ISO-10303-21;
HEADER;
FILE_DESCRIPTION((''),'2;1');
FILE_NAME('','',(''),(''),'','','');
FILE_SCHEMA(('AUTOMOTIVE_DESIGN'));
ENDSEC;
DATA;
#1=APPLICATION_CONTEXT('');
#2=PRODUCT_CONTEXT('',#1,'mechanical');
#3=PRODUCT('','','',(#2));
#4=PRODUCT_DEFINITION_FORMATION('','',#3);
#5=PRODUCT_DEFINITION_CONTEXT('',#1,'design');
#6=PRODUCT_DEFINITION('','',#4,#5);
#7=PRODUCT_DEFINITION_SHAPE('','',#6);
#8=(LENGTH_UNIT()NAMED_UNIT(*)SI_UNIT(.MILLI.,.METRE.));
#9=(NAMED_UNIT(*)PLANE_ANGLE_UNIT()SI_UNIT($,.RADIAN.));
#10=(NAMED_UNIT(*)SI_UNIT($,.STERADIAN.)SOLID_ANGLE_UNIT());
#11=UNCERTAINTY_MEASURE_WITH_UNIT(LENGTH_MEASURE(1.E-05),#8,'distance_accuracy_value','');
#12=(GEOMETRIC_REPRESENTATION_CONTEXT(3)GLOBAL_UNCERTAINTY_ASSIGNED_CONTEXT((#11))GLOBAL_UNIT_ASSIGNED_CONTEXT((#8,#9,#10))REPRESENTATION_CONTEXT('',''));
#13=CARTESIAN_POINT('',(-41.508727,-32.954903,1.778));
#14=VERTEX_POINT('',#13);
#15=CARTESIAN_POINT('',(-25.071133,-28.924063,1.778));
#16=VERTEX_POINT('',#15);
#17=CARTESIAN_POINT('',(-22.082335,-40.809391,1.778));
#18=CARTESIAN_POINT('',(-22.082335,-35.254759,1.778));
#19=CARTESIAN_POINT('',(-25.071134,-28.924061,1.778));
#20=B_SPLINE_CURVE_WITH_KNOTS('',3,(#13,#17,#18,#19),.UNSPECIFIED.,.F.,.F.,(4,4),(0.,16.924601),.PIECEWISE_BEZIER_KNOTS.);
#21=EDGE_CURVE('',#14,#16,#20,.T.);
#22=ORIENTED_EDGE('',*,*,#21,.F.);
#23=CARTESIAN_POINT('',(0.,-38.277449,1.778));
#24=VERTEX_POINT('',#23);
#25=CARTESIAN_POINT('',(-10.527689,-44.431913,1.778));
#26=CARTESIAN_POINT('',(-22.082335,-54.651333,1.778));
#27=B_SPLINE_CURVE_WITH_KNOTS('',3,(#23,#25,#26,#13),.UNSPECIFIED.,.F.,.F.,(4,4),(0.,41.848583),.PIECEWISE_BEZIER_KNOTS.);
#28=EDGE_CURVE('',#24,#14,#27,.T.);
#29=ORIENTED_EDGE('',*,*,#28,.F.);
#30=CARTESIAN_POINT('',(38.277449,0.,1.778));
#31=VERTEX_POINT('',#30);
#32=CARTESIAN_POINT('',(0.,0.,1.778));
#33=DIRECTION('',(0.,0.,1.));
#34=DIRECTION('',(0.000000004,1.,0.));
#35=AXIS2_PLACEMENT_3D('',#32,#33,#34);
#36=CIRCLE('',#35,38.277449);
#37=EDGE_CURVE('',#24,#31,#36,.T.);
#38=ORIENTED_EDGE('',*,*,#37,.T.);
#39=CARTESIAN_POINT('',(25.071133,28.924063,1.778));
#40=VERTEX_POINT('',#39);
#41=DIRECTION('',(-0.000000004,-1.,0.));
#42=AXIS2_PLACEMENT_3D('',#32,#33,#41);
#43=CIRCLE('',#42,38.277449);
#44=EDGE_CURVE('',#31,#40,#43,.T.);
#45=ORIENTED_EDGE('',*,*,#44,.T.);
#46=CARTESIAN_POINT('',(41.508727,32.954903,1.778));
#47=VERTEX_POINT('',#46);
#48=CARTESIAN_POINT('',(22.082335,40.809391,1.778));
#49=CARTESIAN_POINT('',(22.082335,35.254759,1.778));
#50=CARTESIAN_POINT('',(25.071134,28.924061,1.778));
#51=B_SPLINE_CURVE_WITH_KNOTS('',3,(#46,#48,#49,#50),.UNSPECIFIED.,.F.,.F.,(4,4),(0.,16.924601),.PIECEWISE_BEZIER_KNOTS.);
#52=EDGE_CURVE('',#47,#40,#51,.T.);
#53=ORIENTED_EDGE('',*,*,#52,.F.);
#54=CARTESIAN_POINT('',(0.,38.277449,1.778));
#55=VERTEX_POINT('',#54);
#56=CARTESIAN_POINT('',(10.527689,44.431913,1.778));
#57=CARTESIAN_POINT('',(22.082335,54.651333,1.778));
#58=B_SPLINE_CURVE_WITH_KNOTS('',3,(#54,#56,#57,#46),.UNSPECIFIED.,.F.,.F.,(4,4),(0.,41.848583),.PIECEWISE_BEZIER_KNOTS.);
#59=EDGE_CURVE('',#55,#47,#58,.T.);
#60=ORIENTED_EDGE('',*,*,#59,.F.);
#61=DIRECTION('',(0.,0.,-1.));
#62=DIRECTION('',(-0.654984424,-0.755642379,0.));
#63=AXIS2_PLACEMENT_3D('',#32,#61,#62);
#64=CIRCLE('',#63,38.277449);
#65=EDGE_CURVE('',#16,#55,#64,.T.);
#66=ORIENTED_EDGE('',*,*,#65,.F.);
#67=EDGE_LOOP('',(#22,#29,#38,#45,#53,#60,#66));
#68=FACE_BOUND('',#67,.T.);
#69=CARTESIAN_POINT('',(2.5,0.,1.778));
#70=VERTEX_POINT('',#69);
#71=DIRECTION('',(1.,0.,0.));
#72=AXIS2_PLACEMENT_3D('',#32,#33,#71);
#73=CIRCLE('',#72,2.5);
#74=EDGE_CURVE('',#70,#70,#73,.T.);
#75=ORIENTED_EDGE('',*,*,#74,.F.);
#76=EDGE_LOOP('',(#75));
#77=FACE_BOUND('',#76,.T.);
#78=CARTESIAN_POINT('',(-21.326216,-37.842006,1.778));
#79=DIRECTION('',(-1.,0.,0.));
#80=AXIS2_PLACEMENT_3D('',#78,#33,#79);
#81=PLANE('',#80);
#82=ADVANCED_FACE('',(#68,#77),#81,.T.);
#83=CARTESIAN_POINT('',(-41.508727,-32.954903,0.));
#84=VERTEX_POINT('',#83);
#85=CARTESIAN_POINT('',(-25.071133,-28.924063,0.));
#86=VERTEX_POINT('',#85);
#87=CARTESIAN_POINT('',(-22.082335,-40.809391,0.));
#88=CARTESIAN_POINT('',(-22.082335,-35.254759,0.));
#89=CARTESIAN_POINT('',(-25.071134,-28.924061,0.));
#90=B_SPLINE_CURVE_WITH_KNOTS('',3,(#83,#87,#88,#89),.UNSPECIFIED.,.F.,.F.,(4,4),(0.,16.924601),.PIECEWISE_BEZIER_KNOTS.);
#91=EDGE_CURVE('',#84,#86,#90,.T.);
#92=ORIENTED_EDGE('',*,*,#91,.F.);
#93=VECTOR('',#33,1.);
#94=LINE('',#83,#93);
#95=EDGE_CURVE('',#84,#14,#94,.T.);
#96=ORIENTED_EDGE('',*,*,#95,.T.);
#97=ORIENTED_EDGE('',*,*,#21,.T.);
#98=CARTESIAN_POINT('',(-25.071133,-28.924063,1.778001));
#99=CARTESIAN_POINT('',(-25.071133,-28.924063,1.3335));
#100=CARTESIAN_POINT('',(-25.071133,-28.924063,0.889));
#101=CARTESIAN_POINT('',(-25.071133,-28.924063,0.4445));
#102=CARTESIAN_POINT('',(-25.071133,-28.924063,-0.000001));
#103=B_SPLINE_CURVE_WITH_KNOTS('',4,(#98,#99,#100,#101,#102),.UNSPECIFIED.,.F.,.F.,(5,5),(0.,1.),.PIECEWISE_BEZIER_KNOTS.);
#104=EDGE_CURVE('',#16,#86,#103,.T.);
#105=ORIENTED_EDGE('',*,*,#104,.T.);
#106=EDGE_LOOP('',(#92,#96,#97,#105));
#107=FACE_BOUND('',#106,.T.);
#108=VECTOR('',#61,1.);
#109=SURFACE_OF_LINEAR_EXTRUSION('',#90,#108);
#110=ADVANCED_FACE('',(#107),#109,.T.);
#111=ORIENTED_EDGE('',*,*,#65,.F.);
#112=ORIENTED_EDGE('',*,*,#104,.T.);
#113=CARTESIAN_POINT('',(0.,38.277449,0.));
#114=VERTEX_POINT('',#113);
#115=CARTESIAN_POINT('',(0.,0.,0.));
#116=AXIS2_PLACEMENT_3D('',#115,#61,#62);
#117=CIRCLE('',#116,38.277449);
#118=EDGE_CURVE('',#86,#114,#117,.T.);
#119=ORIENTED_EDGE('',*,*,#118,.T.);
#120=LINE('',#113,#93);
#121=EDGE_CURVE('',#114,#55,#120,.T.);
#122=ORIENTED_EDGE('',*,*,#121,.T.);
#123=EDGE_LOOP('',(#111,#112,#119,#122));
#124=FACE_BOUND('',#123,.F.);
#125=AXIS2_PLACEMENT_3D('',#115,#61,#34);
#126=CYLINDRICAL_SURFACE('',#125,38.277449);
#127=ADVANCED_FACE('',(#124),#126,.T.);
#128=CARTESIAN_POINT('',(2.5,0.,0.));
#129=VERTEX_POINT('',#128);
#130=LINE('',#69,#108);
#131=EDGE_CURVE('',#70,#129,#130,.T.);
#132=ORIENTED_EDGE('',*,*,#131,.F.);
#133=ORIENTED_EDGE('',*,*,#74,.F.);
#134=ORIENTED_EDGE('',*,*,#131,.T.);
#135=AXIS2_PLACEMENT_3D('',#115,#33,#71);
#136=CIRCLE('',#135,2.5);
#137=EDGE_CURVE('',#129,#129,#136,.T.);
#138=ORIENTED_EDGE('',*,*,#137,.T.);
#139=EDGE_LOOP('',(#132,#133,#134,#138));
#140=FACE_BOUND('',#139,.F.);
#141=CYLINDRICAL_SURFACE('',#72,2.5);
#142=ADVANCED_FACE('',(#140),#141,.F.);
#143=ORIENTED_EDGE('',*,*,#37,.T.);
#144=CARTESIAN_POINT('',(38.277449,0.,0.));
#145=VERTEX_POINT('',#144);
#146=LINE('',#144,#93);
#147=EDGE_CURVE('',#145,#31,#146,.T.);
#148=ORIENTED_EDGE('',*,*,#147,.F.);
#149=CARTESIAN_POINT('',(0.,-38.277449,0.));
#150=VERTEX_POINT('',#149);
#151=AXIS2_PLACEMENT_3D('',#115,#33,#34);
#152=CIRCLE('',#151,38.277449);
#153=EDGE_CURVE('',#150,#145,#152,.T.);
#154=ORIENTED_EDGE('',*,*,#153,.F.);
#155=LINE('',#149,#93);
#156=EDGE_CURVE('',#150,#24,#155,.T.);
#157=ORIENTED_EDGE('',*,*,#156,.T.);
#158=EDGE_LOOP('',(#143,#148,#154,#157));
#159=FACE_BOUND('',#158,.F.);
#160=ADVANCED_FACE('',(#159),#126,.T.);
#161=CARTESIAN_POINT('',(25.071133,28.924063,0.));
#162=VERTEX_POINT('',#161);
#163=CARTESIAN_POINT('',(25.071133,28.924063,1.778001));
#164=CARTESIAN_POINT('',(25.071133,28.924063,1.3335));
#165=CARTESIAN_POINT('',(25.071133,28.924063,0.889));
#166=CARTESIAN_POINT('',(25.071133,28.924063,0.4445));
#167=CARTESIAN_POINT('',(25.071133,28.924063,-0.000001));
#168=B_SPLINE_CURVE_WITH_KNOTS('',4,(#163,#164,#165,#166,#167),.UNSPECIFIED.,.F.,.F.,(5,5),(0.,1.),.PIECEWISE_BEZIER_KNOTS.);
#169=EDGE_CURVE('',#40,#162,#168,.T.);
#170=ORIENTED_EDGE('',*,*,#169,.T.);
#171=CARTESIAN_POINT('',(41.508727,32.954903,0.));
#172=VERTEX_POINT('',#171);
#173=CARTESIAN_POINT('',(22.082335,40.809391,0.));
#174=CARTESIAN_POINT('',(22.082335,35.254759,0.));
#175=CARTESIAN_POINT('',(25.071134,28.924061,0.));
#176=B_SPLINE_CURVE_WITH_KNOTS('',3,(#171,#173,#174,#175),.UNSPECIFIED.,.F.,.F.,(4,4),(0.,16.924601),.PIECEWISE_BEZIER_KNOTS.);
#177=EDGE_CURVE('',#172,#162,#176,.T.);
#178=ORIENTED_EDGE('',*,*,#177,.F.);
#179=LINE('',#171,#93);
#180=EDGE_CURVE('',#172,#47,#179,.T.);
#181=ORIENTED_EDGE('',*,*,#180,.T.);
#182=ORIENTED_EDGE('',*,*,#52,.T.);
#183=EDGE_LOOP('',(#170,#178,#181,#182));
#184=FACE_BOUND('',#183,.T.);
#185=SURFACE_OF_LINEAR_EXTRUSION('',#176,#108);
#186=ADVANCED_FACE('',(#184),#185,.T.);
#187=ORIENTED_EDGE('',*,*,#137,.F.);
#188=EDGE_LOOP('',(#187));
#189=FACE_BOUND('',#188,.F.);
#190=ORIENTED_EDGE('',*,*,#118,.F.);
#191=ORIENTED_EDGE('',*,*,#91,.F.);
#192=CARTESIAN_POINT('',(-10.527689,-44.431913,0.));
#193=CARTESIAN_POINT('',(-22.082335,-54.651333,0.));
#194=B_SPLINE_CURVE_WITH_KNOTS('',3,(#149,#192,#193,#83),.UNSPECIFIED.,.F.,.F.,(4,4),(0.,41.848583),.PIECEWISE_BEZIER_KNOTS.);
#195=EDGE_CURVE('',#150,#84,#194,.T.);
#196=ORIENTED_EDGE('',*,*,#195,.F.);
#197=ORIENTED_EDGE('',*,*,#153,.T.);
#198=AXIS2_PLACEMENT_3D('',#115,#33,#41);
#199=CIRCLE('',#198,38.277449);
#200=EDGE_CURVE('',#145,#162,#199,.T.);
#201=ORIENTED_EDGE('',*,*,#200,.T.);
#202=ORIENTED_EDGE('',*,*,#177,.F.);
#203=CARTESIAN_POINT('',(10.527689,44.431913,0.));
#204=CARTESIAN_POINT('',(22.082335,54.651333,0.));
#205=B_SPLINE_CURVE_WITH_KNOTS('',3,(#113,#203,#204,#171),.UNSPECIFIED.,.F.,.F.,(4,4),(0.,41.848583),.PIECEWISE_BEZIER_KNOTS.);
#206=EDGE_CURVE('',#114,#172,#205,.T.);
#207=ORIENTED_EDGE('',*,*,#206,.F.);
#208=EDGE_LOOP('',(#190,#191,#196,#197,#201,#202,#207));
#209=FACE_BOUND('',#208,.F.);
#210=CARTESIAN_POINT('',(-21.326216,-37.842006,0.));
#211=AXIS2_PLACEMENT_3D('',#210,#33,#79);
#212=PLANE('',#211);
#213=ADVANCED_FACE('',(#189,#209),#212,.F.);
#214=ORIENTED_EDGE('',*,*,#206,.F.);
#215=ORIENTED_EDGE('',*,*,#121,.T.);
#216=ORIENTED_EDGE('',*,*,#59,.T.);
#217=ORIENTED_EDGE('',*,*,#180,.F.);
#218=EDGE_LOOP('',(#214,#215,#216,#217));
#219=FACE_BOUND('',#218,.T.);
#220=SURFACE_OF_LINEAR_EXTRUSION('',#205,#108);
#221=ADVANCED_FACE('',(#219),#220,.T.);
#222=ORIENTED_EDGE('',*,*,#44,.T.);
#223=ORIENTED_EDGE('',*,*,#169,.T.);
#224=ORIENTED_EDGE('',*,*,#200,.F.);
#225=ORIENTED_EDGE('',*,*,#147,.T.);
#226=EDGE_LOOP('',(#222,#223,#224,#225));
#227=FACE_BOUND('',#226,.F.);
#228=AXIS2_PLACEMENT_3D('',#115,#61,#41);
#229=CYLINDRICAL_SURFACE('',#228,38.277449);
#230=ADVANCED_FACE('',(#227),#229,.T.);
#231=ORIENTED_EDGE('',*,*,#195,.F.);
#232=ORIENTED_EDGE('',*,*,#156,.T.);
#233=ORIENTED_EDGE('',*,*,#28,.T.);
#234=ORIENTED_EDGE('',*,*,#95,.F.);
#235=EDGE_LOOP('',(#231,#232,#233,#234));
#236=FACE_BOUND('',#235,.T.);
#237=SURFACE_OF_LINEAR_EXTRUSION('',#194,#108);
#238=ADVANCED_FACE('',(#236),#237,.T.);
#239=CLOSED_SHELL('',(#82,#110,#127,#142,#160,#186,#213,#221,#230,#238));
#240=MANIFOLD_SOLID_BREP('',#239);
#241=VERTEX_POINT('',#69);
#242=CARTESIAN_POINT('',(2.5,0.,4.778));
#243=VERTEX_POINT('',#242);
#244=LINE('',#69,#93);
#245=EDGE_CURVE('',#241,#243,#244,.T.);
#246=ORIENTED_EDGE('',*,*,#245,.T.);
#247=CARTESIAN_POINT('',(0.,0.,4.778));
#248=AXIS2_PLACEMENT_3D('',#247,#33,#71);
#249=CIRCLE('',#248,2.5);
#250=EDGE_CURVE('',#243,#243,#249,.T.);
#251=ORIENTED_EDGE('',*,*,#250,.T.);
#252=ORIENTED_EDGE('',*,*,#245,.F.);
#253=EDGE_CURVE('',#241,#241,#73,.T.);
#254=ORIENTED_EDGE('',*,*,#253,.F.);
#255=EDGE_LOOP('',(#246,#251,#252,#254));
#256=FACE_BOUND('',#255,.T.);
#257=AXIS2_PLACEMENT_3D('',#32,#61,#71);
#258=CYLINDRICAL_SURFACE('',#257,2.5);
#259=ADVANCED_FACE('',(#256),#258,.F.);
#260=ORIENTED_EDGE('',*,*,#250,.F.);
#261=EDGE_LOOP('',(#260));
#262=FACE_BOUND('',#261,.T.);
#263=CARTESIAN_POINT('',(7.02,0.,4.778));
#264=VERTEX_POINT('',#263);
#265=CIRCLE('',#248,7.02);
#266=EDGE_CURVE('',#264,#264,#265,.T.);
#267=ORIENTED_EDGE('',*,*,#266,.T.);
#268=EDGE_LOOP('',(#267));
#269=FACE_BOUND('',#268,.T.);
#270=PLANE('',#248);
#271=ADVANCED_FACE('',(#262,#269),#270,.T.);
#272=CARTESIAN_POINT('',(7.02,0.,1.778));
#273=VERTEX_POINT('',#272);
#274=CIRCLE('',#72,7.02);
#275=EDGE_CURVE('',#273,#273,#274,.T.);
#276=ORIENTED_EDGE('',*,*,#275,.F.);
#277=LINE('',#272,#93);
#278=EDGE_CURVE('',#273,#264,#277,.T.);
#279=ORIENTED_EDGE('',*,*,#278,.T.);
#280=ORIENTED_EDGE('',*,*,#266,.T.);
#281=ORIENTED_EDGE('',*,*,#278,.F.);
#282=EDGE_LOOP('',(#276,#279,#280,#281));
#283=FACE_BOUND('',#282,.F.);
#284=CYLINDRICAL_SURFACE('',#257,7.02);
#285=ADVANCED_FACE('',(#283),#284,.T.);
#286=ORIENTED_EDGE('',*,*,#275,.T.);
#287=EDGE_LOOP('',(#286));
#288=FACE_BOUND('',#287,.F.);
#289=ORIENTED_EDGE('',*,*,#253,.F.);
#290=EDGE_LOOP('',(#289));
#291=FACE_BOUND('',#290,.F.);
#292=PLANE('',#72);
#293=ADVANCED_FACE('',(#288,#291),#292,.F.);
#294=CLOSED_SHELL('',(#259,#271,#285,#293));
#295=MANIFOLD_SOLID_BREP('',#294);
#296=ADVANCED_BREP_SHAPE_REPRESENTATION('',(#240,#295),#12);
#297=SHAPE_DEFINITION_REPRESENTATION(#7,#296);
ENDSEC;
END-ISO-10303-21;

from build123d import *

# Parameters (mm, degrees)
F1_DEPTH = 1.778
F2_COUNT = 2
F3_R     = 2.5
F4_DEPTH = 25
F5_R     = 7.02
F5_R_2   = 2.5
F6_DEPTH = 3


with BuildPart() as f1:
    # F0 (on Top) → F1 (new body)
    with BuildSketch(Plane.XY):
        with BuildLine():
            ThreePointArc((0, 38.277449), (13.379533, 35.86295), (25.071134, 28.924061))
            add(Edge.make_bspline(
                [(41.508727, 32.954903), (22.082335, 40.809391), (22.082335, 35.254759), (25.071134, 28.924061)],
                knots=[0, 0, 0, 0, 16.924601, 16.924601, 16.924601, 16.924601], degree=3))
            add(Edge.make_bspline(
                [(0, 38.277449), (10.527689, 44.431913), (22.082335, 54.651333), (41.508727, 32.954903)],
                knots=[0, 0, 0, 0, 41.848583, 41.848583, 41.848583, 41.848583], degree=3))
        make_face()
        with BuildLine():
            ThreePointArc((0, 38.277449), (-27.066244, -27.066244), (38.277449, 0))
            ThreePointArc((38.277449, 0), (34.819694, 15.898176), (25.071134, 28.924061))
            ThreePointArc((25.071134, 28.924061), (13.379533, 35.86295), (0, 38.277449))
        make_face()
    extrude(amount=F1_DEPTH)

    # F2: F1 ×2 about axis
    f2_axis = Axis((0, 0, 0), (0, 0, -1))


with BuildPart() as f1_1:
    add(f1.part)
    for i in range(1, F2_COUNT):
        add(f1.part.rotate(f2_axis, i * 360 / F2_COUNT))

    # F3 (on face) → F4 (cut)
    with BuildSketch(Plane.XY.offset(1.778)):
        Circle(F3_R)
    extrude(amount=-F4_DEPTH, mode=Mode.SUBTRACT)


with BuildPart() as f6:
    # F5 (on face) → F6 (new body)
    with BuildSketch(Plane.XY.offset(1.778)):
        Circle(F5_R)
        Circle(F5_R_2, mode=Mode.SUBTRACT)
    extrude(amount=F6_DEPTH)


solid = Compound([f1_1.part, f6.part])
